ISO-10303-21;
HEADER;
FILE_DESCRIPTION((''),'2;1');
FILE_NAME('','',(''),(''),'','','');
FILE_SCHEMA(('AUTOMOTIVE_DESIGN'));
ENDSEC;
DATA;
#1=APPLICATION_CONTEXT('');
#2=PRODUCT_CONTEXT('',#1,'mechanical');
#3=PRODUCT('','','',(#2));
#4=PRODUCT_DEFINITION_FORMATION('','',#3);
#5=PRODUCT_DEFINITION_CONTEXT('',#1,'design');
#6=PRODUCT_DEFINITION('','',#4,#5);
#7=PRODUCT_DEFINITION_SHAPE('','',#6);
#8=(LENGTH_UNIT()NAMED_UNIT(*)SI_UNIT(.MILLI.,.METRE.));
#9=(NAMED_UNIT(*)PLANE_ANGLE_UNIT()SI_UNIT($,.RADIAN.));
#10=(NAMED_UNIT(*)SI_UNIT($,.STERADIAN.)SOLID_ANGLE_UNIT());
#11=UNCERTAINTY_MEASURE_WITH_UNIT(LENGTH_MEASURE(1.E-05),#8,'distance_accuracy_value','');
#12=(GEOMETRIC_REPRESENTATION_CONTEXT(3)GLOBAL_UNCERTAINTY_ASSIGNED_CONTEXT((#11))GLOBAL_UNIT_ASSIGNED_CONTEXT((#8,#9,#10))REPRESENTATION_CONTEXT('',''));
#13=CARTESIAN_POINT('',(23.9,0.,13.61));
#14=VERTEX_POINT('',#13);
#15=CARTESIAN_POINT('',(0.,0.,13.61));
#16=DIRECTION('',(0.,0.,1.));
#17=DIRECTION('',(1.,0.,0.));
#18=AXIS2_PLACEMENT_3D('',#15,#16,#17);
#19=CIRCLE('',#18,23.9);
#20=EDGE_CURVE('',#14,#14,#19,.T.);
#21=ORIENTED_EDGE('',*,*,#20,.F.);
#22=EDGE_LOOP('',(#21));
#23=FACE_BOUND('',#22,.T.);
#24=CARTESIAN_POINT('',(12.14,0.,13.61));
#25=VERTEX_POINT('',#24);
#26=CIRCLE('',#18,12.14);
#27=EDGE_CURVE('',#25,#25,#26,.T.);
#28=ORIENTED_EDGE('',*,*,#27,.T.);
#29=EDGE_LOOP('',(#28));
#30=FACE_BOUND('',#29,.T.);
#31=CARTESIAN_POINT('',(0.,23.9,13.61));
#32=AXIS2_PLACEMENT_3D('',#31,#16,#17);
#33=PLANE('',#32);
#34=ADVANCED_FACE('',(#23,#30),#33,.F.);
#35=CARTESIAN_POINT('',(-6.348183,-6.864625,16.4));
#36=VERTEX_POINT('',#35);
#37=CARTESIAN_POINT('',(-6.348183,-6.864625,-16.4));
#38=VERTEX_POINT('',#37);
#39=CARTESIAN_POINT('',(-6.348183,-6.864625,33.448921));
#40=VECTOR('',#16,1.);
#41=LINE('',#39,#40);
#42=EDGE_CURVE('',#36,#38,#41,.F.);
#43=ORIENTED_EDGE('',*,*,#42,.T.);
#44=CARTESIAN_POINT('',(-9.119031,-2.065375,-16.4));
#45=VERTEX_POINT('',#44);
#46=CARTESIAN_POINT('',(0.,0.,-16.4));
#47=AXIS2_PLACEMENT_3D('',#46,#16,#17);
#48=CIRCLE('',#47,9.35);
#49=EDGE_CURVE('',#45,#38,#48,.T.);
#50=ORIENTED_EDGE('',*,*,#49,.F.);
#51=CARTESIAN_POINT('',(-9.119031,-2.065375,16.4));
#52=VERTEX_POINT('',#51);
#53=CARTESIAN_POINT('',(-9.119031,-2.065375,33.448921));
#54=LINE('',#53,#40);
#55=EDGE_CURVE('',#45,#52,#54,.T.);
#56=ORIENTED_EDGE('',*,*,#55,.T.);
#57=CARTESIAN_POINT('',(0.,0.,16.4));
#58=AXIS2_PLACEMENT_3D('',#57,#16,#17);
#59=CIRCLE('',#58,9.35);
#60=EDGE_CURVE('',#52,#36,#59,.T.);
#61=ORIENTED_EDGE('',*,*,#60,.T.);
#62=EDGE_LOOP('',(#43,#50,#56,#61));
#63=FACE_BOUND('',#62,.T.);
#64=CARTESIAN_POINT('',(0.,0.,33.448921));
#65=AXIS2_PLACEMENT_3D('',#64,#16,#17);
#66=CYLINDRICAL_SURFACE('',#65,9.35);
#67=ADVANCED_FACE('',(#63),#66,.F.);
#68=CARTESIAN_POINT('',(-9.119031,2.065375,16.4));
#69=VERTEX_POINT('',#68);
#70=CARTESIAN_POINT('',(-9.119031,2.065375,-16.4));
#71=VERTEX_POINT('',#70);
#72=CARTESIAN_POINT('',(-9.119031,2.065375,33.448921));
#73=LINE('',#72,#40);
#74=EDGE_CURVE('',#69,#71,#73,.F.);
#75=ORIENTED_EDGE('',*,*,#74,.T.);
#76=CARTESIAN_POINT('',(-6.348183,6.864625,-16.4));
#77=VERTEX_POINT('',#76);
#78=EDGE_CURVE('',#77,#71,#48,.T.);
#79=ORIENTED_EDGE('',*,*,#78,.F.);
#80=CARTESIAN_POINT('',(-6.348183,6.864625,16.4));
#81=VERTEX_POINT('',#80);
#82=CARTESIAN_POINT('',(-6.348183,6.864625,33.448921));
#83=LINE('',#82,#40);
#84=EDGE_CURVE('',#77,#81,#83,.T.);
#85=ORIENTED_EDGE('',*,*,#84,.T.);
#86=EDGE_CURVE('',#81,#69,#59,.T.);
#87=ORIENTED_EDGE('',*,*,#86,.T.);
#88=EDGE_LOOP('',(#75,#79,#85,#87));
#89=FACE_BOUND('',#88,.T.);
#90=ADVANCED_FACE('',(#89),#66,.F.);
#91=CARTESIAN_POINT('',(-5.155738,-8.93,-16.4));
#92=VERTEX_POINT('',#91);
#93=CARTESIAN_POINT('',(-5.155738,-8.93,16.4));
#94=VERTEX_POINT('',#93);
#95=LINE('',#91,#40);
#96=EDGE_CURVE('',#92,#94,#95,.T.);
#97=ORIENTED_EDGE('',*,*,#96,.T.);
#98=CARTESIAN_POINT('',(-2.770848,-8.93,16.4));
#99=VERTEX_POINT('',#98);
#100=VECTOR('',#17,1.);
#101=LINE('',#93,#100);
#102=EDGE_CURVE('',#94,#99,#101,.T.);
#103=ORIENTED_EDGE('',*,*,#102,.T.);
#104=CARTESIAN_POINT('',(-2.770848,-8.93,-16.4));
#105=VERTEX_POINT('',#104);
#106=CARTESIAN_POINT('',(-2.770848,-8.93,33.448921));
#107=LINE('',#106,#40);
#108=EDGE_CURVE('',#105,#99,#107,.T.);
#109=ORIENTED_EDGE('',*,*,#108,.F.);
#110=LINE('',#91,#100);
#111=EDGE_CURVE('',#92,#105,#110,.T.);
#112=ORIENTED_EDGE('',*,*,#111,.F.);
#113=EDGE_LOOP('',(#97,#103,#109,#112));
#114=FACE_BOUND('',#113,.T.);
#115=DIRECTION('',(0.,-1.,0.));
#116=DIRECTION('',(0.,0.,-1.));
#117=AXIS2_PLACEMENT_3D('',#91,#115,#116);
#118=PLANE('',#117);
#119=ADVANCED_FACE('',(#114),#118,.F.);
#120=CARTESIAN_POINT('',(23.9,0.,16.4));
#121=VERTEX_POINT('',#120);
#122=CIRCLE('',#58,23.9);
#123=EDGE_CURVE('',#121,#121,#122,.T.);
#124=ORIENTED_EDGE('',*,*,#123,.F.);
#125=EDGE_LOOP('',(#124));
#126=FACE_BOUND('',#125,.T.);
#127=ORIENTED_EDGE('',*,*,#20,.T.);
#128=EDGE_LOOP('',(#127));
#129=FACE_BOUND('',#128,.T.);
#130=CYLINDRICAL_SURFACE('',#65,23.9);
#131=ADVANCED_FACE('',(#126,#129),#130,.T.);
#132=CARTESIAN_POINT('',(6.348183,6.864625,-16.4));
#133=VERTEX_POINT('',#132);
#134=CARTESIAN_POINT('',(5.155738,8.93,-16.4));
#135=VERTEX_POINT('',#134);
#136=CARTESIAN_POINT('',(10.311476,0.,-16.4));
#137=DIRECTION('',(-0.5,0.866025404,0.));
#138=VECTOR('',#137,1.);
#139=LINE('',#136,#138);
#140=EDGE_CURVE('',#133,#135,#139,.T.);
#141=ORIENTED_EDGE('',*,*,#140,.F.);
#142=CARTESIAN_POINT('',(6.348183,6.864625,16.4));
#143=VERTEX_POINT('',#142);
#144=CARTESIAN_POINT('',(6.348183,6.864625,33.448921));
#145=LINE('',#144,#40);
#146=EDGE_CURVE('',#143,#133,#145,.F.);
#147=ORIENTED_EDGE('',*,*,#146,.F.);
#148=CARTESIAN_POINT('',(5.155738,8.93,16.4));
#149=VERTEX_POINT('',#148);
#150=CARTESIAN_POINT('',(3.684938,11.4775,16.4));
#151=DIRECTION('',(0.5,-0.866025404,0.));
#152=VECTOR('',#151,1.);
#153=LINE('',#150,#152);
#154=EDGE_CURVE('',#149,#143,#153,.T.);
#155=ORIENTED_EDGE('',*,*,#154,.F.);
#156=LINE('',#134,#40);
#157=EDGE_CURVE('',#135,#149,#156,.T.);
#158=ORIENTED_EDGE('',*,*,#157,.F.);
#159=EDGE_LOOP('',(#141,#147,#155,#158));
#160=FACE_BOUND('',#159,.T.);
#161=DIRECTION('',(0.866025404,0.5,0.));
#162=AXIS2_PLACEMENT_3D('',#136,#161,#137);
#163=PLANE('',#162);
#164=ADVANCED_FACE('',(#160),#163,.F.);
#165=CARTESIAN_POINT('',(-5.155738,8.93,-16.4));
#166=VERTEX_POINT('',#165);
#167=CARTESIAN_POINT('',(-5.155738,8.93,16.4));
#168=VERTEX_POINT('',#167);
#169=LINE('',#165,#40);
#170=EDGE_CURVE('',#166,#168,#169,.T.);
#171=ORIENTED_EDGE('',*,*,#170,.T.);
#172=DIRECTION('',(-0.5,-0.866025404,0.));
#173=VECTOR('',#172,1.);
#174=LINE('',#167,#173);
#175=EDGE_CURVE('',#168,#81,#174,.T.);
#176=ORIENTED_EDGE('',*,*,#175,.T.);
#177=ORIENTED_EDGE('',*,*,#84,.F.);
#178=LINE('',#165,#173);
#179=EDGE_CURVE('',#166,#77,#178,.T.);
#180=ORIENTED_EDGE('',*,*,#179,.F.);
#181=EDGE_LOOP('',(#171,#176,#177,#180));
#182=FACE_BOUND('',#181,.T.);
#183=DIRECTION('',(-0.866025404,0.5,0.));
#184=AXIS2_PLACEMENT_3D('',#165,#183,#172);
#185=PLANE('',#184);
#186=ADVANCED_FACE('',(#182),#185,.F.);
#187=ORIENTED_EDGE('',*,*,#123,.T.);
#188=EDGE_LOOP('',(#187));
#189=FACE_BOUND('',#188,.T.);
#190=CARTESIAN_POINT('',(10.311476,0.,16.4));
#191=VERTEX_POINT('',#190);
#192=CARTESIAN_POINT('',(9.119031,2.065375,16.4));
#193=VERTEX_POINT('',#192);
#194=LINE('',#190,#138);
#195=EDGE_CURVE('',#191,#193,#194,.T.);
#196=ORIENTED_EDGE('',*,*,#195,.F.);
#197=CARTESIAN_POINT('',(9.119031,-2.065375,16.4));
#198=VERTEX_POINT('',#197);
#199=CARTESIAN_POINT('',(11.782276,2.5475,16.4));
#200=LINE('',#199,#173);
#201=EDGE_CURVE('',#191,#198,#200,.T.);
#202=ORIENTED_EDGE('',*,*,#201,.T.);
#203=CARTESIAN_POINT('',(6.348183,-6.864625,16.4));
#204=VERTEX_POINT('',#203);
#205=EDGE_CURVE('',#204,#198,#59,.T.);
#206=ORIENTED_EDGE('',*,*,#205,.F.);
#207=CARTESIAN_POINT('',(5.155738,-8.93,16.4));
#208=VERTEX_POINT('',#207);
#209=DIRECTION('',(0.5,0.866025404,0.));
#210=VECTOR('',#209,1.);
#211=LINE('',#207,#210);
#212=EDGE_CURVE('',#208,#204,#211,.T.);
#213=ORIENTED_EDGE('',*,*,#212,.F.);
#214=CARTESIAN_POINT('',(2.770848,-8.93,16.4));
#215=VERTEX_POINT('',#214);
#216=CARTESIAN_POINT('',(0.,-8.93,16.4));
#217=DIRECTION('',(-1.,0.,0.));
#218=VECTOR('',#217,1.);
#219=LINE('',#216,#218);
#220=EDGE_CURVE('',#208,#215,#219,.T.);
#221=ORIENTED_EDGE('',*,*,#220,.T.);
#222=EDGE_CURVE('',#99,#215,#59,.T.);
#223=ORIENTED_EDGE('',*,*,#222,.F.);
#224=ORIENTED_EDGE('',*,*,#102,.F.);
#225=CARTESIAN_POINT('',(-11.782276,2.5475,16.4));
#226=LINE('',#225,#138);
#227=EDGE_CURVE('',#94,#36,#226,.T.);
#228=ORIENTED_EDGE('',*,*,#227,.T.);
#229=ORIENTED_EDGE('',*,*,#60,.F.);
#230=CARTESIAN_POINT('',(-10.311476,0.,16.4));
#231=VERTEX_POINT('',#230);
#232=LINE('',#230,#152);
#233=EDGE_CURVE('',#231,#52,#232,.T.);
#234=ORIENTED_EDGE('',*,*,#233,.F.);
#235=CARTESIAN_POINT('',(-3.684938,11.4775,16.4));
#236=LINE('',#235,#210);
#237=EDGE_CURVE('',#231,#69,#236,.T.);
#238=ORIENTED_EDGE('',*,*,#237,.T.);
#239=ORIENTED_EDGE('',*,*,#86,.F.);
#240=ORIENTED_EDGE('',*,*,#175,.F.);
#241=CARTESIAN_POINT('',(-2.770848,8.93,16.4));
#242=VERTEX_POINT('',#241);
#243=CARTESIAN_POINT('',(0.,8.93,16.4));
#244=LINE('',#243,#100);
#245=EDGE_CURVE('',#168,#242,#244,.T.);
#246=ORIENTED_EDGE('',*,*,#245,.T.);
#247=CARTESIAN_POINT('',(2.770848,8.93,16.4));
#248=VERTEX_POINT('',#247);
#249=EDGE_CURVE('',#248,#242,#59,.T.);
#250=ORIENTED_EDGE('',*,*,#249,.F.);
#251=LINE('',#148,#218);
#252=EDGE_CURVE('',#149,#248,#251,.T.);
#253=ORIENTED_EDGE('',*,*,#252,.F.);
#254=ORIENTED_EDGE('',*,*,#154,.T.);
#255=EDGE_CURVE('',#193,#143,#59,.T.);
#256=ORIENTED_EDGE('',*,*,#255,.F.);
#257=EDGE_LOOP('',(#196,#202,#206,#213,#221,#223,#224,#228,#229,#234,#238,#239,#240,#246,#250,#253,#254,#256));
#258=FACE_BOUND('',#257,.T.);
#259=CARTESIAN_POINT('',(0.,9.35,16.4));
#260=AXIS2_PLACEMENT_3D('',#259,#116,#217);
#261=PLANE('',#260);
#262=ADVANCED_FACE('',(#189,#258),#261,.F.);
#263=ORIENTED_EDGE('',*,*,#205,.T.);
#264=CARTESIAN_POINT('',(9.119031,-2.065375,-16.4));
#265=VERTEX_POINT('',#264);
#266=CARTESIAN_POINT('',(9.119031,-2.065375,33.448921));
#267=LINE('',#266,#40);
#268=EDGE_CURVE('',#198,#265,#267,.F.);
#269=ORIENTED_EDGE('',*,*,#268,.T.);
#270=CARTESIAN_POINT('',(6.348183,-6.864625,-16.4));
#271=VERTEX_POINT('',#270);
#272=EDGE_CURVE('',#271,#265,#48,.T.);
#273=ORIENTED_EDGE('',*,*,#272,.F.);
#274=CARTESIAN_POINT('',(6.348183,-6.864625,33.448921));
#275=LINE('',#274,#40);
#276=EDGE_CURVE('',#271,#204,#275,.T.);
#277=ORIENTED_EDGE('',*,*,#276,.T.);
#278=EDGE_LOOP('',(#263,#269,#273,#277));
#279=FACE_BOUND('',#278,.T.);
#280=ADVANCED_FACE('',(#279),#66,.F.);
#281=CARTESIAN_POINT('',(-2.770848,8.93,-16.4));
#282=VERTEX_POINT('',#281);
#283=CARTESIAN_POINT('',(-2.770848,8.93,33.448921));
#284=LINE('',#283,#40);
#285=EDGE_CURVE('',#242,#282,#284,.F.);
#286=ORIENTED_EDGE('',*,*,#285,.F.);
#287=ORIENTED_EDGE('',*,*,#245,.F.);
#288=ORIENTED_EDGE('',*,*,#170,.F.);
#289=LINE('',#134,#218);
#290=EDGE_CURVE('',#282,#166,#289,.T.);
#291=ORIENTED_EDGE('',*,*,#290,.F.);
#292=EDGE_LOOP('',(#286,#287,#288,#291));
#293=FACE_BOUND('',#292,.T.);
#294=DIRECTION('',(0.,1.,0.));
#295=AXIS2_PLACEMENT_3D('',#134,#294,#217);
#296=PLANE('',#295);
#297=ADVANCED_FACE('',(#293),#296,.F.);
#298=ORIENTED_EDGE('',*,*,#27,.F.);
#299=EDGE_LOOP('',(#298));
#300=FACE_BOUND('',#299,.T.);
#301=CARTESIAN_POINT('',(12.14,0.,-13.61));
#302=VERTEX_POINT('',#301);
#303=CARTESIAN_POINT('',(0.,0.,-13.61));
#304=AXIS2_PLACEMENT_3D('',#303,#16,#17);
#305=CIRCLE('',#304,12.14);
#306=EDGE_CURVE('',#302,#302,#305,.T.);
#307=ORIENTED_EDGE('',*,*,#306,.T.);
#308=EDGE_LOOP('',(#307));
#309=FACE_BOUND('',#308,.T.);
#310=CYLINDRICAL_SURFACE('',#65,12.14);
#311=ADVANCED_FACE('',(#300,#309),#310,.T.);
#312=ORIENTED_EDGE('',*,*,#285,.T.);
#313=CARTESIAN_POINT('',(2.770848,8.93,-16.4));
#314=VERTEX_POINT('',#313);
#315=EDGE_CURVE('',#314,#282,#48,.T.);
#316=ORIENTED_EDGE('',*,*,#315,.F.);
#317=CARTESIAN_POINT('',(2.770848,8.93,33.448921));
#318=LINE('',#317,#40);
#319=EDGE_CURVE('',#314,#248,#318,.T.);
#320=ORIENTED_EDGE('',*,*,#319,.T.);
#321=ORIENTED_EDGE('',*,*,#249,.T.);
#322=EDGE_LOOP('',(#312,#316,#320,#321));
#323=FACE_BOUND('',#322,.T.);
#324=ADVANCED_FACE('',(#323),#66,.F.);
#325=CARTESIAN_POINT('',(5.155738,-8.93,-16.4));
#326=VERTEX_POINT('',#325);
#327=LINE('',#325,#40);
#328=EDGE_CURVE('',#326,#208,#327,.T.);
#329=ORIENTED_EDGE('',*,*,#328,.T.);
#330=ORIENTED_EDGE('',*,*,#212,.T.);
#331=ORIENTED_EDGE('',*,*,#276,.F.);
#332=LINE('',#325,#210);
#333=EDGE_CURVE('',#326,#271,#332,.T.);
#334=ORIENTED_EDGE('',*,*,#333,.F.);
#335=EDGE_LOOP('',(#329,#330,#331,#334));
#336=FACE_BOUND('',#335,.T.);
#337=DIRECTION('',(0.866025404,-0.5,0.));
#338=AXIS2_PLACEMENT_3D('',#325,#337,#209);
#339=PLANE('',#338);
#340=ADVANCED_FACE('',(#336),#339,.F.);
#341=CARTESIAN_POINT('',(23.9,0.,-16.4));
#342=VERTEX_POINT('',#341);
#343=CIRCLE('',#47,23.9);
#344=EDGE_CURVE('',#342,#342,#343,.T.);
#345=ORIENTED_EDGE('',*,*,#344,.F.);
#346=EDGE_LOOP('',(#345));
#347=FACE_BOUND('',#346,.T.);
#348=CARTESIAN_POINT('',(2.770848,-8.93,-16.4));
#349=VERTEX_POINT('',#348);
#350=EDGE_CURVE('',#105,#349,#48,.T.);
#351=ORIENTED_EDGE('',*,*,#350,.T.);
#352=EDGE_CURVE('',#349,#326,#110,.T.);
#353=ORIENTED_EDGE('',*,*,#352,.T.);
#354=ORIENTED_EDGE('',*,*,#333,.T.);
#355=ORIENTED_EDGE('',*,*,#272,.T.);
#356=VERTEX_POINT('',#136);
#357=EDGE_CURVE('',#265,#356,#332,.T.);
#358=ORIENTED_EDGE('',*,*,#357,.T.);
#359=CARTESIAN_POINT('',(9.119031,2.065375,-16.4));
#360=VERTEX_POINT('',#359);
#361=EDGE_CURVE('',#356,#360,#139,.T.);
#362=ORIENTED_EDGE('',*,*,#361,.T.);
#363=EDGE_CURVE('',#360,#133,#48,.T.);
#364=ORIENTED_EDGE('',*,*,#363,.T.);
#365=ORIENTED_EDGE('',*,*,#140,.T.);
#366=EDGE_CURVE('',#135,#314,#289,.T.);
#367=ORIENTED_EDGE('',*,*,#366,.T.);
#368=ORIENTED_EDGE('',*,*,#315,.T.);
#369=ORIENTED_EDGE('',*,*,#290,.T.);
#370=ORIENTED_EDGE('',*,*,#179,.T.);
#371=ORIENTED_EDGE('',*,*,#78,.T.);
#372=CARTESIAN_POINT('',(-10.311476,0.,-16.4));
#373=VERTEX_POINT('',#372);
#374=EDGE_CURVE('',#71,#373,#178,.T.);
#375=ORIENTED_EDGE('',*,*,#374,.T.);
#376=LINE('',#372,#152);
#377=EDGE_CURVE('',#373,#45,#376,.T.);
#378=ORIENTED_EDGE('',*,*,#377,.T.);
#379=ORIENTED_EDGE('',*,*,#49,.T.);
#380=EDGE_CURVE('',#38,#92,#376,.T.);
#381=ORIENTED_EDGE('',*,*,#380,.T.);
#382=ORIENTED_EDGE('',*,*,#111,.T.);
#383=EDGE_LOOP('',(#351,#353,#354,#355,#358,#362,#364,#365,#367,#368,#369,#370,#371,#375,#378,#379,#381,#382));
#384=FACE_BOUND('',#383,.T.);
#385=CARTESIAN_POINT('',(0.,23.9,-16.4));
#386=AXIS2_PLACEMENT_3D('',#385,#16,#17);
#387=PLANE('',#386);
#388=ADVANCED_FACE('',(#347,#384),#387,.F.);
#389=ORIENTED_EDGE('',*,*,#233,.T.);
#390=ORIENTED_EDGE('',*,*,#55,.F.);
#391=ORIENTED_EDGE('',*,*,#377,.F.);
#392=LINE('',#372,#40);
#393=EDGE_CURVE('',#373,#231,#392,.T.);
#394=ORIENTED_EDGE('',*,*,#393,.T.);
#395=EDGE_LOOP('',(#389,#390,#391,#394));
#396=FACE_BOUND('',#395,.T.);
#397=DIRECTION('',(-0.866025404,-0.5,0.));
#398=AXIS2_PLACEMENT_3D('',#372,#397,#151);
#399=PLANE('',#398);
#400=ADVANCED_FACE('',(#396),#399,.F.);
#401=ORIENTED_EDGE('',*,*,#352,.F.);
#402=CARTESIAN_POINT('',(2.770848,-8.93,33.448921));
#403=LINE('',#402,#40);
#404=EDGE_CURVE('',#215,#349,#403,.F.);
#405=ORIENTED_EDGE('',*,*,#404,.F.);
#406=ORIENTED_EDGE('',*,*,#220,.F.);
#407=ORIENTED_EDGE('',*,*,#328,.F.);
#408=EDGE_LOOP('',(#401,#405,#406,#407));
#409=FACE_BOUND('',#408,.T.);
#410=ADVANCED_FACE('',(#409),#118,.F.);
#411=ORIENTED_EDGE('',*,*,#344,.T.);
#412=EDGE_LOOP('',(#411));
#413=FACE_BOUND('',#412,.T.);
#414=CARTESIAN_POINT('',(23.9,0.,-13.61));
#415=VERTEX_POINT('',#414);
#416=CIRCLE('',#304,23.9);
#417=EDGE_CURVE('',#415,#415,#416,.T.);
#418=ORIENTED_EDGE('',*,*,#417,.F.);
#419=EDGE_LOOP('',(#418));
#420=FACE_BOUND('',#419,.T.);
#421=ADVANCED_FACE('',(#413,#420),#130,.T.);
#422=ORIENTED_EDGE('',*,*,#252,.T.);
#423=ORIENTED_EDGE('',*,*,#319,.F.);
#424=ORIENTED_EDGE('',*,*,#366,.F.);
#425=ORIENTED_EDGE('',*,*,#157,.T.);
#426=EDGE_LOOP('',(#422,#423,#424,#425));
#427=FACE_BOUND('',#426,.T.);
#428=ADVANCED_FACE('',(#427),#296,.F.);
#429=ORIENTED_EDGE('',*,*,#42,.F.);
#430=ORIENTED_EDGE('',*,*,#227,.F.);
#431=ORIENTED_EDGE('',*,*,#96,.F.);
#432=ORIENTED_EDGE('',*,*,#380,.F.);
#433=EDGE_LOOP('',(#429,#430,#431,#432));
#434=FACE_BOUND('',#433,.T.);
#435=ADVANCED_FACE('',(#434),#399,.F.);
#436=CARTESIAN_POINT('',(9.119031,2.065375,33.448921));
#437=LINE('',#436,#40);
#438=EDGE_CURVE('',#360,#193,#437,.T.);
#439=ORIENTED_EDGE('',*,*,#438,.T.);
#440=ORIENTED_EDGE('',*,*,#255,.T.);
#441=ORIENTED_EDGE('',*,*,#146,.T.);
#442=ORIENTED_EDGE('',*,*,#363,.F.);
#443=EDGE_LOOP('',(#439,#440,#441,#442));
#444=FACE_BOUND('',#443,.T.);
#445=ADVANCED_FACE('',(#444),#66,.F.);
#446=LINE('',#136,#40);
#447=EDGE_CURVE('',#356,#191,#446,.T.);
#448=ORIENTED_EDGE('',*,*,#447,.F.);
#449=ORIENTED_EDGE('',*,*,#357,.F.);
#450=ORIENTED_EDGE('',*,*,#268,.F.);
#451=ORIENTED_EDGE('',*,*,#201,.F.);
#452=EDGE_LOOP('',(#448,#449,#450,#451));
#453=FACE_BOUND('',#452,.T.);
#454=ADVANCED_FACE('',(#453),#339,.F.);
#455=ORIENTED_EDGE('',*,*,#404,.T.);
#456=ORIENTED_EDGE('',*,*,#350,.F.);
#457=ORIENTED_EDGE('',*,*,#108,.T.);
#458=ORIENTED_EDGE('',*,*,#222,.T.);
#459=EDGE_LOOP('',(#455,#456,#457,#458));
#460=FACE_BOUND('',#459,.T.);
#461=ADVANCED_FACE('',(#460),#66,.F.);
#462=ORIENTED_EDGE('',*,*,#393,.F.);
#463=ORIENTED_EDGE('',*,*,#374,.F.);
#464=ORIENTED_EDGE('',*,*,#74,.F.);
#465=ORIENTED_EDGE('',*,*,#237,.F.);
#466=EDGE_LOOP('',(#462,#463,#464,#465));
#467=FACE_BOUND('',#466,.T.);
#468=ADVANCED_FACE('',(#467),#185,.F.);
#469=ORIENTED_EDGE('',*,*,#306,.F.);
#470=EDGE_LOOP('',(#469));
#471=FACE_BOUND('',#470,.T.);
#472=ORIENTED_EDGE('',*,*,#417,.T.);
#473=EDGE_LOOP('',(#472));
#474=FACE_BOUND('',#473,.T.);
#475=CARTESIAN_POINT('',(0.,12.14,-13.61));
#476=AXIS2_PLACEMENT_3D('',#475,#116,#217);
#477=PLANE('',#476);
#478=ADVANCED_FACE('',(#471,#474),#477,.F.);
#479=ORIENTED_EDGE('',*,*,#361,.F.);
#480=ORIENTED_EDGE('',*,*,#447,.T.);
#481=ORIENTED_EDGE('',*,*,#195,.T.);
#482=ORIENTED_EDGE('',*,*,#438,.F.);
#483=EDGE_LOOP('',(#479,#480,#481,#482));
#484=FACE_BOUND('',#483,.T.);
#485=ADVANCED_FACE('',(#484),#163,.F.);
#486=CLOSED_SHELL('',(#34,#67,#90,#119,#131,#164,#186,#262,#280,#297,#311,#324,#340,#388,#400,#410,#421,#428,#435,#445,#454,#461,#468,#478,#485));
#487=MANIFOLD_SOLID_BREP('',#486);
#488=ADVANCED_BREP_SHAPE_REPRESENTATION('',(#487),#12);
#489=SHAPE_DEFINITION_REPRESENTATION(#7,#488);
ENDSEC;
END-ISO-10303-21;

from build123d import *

# Parameters (mm, degrees)
CUT_EXTRUDE1_DEPTH = 33.8


with BuildPart() as part:
    # Sketch1 → Revolve1 (revolve)
    with BuildSketch(Plane(origin=(0, 0, 0), x_dir=(0, 0, -1), z_dir=(1, 0, 0))):
        Polygon((-13.61, 23.9), (-13.61, 12.14), (13.61, 12.14), (13.61, 23.9), (16.4, 23.9), (16.4, 9.35), (-16.4, 9.35), (-16.4, 23.9), align=None)
    revolve(axis=Axis((0, 0, 33.448920863), (0, 0, -1)))

    # Sketch2 → Cut-Extrude1 (cut, through all)
    with BuildSketch(Plane.XY.offset(16.4)):
        Polygon((5.155737904, 8.93), (-5.155737904, 8.93), (-10.311475808, 0), (-5.155737904, -8.93), (5.155737904, -8.93), (10.311475808, 0), align=None)
    extrude(amount=-CUT_EXTRUDE1_DEPTH, mode=Mode.SUBTRACT)


solid = part.part
